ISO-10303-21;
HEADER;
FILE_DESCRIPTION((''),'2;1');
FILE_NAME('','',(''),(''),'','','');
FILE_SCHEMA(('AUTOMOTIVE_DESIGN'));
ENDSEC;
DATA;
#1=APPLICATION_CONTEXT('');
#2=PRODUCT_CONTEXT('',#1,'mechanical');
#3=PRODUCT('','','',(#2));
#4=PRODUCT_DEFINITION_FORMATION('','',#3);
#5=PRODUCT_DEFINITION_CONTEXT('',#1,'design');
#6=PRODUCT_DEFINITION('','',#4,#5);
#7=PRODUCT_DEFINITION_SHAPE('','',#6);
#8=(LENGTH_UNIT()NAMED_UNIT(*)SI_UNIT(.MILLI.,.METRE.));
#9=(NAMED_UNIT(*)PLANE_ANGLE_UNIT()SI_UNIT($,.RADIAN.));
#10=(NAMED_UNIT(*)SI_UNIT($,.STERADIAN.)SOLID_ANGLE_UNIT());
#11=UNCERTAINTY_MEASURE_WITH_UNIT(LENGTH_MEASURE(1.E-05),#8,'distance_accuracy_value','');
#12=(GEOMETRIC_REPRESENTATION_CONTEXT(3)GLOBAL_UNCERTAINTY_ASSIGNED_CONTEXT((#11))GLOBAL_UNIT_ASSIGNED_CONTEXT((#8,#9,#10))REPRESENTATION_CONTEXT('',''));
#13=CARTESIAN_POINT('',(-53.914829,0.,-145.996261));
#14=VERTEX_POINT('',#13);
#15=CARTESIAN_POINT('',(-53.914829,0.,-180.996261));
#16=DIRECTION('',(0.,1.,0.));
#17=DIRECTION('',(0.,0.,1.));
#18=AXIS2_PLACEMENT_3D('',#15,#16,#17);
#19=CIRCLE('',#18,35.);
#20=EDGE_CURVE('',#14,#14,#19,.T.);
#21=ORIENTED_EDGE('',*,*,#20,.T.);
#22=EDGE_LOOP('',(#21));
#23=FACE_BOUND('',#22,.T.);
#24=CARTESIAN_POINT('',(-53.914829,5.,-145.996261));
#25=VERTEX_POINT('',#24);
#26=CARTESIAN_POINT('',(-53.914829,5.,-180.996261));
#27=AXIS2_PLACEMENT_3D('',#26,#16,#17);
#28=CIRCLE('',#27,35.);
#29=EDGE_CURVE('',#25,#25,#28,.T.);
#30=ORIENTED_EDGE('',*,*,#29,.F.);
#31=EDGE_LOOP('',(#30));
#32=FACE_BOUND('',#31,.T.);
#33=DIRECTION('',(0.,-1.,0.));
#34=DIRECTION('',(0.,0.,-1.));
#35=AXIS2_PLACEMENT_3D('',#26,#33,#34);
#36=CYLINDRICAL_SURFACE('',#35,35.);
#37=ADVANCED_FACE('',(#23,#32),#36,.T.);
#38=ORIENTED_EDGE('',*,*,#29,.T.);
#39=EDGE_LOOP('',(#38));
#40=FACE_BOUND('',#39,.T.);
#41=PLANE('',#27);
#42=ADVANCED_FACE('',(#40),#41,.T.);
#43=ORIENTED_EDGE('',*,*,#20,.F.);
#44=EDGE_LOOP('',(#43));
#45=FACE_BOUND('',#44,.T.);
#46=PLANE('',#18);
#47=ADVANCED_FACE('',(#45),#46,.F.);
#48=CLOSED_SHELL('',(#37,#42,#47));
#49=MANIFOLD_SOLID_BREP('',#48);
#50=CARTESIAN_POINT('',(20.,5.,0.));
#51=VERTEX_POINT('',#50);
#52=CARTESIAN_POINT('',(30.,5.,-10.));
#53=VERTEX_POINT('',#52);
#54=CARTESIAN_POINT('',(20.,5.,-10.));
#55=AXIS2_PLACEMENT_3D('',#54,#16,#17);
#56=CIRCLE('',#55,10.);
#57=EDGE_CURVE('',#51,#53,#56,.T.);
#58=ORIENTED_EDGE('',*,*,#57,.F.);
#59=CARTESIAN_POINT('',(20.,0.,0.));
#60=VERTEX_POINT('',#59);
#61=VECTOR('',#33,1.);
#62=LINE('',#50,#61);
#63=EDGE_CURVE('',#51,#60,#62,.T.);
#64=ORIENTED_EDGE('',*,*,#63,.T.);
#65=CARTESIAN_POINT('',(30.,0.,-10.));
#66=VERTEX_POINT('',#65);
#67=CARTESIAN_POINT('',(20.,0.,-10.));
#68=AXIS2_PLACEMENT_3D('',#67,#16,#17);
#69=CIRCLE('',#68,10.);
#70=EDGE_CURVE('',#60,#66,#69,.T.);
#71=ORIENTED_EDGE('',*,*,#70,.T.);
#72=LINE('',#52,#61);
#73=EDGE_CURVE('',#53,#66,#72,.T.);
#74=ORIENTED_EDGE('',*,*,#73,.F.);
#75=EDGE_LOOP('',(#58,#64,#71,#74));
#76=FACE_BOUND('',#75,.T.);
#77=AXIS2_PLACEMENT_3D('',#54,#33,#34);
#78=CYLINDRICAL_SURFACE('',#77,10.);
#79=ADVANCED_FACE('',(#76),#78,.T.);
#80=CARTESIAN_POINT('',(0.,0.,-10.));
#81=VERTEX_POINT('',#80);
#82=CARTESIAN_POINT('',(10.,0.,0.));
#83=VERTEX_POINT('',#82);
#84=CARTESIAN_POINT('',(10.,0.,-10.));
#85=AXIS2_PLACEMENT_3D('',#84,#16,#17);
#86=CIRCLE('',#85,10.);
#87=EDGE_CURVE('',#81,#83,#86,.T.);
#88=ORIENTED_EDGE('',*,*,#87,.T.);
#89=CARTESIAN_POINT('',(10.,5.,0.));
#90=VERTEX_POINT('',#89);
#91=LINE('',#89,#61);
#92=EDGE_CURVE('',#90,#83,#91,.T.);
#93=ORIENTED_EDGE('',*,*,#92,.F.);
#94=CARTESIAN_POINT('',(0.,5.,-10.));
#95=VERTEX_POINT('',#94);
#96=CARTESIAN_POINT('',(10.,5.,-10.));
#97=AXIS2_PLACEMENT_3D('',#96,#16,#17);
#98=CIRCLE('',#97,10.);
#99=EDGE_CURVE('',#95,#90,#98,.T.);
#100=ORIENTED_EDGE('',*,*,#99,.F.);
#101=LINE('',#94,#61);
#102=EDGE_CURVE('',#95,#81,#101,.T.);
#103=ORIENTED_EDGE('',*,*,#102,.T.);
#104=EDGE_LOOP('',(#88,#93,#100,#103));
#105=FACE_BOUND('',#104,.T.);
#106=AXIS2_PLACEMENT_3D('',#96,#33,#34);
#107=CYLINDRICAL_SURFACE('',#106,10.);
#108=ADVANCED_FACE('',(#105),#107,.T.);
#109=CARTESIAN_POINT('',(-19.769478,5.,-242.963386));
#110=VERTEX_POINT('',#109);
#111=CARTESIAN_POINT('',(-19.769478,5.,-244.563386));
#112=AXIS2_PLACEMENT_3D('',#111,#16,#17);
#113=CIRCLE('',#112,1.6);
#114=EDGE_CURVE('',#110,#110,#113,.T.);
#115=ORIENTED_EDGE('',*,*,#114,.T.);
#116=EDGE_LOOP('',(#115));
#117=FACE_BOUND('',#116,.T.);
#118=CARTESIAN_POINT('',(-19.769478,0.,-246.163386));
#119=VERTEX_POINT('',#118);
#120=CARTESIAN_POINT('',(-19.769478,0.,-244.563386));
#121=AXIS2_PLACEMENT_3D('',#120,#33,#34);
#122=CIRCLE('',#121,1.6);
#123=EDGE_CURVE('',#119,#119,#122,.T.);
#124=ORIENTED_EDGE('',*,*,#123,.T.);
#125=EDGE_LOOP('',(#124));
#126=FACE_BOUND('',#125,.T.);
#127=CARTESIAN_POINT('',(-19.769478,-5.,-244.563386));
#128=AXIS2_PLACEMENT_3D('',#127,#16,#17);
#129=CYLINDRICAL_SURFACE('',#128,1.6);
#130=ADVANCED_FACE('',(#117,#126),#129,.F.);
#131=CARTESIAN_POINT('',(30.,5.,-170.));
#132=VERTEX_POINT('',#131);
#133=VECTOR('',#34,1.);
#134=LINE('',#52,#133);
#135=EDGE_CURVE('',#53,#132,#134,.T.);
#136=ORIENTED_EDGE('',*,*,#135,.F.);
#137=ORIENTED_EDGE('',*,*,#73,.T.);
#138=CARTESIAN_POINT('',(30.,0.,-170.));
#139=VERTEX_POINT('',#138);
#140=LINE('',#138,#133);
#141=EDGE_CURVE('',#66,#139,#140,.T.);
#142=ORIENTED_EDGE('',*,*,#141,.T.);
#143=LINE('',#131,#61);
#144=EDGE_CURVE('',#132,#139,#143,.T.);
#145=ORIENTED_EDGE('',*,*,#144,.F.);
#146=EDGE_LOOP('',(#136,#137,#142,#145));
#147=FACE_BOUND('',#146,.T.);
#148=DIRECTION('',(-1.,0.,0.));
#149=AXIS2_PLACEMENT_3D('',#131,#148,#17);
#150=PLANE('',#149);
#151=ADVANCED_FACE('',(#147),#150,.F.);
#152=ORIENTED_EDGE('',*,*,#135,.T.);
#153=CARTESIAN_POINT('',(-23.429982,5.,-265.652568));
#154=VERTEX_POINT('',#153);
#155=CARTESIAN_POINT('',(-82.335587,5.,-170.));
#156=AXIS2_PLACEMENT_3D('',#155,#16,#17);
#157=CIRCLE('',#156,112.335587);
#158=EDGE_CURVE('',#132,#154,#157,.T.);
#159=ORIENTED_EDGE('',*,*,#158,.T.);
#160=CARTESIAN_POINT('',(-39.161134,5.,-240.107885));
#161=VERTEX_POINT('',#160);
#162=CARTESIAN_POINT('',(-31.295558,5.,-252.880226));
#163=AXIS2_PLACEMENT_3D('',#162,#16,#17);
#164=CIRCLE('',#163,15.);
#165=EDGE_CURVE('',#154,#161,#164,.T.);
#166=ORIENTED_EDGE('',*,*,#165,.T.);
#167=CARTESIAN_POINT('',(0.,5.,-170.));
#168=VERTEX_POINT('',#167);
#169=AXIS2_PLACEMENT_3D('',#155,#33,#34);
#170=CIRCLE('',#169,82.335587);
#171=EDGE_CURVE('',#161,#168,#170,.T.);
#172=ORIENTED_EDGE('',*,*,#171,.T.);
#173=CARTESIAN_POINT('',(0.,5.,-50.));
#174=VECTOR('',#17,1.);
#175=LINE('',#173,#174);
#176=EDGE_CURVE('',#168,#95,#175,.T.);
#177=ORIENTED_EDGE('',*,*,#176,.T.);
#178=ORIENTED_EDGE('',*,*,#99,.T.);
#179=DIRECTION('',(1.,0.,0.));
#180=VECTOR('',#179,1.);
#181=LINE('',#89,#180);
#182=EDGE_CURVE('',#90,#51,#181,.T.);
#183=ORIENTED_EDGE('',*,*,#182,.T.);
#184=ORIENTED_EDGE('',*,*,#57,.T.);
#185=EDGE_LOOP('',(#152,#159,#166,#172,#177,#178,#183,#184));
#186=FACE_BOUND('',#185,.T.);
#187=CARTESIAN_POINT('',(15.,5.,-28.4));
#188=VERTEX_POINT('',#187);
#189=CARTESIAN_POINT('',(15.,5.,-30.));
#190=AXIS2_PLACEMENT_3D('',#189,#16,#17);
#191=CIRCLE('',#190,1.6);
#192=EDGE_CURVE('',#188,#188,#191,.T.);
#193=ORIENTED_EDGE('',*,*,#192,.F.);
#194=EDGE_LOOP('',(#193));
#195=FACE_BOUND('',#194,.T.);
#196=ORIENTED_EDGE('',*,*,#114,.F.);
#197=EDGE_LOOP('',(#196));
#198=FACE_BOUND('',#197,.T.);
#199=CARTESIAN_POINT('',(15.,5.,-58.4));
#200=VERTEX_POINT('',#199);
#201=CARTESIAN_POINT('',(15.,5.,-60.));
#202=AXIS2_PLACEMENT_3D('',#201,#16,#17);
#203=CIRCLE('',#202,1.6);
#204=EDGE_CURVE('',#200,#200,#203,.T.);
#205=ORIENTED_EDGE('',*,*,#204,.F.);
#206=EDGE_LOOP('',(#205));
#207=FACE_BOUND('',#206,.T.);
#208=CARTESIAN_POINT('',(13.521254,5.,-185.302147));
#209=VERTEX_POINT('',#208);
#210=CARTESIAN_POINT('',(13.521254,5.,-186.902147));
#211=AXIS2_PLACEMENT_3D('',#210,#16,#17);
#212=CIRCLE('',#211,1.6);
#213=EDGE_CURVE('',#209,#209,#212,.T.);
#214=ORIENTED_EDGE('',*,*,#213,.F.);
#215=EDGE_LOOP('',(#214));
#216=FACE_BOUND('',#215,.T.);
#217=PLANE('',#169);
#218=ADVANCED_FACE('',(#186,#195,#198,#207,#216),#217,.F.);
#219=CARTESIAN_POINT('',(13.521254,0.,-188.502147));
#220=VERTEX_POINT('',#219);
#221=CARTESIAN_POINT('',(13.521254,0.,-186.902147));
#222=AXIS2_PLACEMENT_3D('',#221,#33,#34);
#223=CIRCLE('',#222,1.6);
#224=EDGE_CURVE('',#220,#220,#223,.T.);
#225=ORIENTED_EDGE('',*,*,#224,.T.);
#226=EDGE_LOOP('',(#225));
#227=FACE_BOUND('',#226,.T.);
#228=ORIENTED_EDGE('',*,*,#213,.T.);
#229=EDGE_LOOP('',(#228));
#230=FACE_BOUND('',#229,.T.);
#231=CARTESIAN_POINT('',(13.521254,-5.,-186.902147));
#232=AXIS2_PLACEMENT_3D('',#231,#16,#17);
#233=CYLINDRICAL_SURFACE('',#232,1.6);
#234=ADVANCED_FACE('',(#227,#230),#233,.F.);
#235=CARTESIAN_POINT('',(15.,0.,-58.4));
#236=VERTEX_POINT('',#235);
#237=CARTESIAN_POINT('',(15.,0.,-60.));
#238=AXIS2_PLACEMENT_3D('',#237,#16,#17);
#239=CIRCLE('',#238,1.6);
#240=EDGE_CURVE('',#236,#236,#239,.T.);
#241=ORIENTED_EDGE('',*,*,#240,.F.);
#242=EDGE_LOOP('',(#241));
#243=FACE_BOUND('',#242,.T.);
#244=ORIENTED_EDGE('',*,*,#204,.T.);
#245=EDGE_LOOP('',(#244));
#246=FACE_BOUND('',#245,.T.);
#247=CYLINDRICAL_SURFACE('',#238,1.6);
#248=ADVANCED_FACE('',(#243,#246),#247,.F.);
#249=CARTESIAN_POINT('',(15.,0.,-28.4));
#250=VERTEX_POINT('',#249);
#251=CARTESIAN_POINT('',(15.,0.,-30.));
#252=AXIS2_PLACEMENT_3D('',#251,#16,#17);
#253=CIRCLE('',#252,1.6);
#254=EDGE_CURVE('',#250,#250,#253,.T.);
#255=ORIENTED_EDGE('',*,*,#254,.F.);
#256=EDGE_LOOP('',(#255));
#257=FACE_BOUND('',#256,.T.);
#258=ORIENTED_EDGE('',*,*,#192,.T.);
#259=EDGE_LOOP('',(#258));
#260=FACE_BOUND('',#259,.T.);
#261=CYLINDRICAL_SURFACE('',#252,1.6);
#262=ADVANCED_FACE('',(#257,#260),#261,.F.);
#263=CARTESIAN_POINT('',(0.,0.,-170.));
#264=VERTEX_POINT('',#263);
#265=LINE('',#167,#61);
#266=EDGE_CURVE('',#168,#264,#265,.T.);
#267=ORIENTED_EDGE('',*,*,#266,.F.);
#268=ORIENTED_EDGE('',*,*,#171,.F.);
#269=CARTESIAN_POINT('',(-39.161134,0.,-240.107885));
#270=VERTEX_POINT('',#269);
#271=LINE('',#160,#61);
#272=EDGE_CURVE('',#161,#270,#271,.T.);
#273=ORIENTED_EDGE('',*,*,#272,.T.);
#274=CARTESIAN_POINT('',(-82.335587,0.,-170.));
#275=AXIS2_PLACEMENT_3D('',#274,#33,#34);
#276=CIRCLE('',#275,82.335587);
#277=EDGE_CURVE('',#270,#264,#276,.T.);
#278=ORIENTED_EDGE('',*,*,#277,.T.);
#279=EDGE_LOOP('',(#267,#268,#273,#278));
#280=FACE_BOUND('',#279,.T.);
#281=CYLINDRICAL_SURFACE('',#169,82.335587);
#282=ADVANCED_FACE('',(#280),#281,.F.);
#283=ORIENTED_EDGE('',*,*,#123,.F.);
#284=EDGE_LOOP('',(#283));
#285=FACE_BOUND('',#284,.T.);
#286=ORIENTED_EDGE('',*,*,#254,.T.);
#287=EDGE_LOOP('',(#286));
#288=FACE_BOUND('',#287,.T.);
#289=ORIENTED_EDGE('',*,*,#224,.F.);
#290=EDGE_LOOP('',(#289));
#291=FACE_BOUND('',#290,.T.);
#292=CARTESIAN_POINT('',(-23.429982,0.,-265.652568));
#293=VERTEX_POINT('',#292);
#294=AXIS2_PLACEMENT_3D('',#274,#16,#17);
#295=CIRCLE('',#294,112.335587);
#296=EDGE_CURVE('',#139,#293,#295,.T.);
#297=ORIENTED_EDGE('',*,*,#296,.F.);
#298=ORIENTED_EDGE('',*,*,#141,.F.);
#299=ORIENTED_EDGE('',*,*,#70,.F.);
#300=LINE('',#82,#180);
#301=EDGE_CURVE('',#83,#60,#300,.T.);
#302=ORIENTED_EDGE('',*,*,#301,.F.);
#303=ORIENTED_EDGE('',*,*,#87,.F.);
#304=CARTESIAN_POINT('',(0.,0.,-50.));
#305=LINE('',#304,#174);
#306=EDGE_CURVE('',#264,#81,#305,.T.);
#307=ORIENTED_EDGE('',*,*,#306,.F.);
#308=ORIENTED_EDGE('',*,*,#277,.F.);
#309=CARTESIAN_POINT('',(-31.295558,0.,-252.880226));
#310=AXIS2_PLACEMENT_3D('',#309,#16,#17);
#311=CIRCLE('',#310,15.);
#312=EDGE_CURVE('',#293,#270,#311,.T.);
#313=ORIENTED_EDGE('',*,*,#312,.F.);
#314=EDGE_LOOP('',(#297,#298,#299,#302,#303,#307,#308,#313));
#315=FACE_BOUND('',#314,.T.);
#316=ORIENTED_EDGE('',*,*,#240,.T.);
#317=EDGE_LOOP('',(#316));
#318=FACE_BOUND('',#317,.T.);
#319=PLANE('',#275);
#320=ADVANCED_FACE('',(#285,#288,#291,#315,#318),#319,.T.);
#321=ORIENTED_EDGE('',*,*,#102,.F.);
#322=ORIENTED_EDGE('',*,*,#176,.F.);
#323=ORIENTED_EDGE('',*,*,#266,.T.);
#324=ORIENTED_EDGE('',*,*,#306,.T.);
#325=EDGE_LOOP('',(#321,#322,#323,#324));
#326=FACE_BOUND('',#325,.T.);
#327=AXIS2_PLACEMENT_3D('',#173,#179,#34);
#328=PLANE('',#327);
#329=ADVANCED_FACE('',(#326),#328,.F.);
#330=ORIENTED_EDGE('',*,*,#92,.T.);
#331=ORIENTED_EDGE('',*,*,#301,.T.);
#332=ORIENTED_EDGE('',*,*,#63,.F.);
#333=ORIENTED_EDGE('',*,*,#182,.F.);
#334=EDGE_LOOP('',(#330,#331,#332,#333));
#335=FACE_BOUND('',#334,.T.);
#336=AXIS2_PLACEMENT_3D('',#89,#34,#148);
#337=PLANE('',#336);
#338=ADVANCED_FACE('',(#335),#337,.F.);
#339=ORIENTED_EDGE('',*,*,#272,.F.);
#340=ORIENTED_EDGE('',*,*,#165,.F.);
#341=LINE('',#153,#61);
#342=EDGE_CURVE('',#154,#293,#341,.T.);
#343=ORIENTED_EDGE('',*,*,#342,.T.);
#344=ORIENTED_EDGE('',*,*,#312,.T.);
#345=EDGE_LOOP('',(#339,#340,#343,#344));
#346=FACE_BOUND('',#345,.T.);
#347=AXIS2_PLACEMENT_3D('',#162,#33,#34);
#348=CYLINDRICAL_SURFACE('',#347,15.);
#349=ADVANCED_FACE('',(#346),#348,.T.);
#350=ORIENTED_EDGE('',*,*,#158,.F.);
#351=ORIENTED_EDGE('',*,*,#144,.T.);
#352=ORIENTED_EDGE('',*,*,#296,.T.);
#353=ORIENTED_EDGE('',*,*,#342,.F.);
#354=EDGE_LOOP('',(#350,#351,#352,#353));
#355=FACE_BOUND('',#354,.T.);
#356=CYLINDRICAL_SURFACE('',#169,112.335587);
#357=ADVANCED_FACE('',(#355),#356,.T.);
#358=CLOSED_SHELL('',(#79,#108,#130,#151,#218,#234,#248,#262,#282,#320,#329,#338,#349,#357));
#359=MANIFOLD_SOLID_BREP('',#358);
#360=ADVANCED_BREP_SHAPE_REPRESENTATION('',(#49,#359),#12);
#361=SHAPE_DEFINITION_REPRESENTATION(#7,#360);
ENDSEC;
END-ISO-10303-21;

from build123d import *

# Parameters (mm, degrees)
SKETCH_1_R          = 35
EXTRUDE_1_DEPTH     = 5
EXTRUDE_1_2_DEPTH   = 5
SKETCH_2_R          = 1.6
CUT_EXTRUDE_2_DEPTH = 283.295346414
SKETCH_3_R          = 1.6
CUT_EXTRUDE_3_DEPTH = 10


with BuildPart() as part:
    # 草圖1 → 伸長1 (new body)
    with BuildSketch(Plane(origin=(0, 0, 0), x_dir=(1, 0, 0), z_dir=(0, 1, 0))):
        with Locations(Location((-53.914829359, 180.996261194, 0), (0, 0, 270))):
            Circle(SKETCH_1_R)
    extrude(amount=EXTRUDE_1_DEPTH)


with BuildPart() as body_2:
    # 草圖1 → Extrude 1 2 (new body)
    with BuildSketch(Plane(origin=(0, 0, 0), x_dir=(1, 0, 0), z_dir=(0, 1, 0))):
        with BuildLine():
            Line((0, 50), (0, 170))
            ThreePointArc((0, 170), (-10.45393829, 210.151929814), (-39.161133702, 240.107884566))
            ThreePointArc((-39.161133702, 240.107884566), (-44.067899797, 260.745802254), (-23.429982109, 265.652568349))
            ThreePointArc((-23.429982109, 265.652568349), (15.737038666, 224.781787165), (30, 170))
            Line((30, 170), (30, 50))
            Line((30, 50), (30, 10))
            ThreePointArc((30, 10), (27.071067812, 2.928932188), (20, 0))
            Line((20, 0), (10, 0))
            ThreePointArc((10, 0), (2.928932188, 2.928932188), (0, 10))
            Line((0, 10), (0, 50))
        make_face()
    extrude(amount=EXTRUDE_1_2_DEPTH)

    # 草圖2 → 伸長2 (cut, through all)
    with BuildSketch(Plane(origin=(0, 5, 0), x_dir=(1, 0, 0), z_dir=(0, 1, 0))):
        with Locations(Location((15, 60, 0), (0, 0, 270))):
            Circle(SKETCH_2_R)
        with Locations(Location((15, 30, 0), (0, 0, 270))):
            Circle(SKETCH_2_R)
    extrude(amount=-CUT_EXTRUDE_2_DEPTH, mode=Mode.SUBTRACT)

    # 草圖3 → 伸長3 (cut)
    with BuildSketch(Plane(origin=(0, 5, 0), x_dir=(1, 0, 0), z_dir=(0, 1, 0))):
        with Locations(Location((13.52125372, 186.902147325, 0), (0, 0, 270))):
            Circle(SKETCH_3_R)
        with Locations(Location((-19.769477737, 244.56338563, 0), (0, 0, 270))):
            Circle(SKETCH_3_R)
    extrude(amount=-CUT_EXTRUDE_3_DEPTH, mode=Mode.SUBTRACT)


solid = Compound([part.part, body_2.part])
